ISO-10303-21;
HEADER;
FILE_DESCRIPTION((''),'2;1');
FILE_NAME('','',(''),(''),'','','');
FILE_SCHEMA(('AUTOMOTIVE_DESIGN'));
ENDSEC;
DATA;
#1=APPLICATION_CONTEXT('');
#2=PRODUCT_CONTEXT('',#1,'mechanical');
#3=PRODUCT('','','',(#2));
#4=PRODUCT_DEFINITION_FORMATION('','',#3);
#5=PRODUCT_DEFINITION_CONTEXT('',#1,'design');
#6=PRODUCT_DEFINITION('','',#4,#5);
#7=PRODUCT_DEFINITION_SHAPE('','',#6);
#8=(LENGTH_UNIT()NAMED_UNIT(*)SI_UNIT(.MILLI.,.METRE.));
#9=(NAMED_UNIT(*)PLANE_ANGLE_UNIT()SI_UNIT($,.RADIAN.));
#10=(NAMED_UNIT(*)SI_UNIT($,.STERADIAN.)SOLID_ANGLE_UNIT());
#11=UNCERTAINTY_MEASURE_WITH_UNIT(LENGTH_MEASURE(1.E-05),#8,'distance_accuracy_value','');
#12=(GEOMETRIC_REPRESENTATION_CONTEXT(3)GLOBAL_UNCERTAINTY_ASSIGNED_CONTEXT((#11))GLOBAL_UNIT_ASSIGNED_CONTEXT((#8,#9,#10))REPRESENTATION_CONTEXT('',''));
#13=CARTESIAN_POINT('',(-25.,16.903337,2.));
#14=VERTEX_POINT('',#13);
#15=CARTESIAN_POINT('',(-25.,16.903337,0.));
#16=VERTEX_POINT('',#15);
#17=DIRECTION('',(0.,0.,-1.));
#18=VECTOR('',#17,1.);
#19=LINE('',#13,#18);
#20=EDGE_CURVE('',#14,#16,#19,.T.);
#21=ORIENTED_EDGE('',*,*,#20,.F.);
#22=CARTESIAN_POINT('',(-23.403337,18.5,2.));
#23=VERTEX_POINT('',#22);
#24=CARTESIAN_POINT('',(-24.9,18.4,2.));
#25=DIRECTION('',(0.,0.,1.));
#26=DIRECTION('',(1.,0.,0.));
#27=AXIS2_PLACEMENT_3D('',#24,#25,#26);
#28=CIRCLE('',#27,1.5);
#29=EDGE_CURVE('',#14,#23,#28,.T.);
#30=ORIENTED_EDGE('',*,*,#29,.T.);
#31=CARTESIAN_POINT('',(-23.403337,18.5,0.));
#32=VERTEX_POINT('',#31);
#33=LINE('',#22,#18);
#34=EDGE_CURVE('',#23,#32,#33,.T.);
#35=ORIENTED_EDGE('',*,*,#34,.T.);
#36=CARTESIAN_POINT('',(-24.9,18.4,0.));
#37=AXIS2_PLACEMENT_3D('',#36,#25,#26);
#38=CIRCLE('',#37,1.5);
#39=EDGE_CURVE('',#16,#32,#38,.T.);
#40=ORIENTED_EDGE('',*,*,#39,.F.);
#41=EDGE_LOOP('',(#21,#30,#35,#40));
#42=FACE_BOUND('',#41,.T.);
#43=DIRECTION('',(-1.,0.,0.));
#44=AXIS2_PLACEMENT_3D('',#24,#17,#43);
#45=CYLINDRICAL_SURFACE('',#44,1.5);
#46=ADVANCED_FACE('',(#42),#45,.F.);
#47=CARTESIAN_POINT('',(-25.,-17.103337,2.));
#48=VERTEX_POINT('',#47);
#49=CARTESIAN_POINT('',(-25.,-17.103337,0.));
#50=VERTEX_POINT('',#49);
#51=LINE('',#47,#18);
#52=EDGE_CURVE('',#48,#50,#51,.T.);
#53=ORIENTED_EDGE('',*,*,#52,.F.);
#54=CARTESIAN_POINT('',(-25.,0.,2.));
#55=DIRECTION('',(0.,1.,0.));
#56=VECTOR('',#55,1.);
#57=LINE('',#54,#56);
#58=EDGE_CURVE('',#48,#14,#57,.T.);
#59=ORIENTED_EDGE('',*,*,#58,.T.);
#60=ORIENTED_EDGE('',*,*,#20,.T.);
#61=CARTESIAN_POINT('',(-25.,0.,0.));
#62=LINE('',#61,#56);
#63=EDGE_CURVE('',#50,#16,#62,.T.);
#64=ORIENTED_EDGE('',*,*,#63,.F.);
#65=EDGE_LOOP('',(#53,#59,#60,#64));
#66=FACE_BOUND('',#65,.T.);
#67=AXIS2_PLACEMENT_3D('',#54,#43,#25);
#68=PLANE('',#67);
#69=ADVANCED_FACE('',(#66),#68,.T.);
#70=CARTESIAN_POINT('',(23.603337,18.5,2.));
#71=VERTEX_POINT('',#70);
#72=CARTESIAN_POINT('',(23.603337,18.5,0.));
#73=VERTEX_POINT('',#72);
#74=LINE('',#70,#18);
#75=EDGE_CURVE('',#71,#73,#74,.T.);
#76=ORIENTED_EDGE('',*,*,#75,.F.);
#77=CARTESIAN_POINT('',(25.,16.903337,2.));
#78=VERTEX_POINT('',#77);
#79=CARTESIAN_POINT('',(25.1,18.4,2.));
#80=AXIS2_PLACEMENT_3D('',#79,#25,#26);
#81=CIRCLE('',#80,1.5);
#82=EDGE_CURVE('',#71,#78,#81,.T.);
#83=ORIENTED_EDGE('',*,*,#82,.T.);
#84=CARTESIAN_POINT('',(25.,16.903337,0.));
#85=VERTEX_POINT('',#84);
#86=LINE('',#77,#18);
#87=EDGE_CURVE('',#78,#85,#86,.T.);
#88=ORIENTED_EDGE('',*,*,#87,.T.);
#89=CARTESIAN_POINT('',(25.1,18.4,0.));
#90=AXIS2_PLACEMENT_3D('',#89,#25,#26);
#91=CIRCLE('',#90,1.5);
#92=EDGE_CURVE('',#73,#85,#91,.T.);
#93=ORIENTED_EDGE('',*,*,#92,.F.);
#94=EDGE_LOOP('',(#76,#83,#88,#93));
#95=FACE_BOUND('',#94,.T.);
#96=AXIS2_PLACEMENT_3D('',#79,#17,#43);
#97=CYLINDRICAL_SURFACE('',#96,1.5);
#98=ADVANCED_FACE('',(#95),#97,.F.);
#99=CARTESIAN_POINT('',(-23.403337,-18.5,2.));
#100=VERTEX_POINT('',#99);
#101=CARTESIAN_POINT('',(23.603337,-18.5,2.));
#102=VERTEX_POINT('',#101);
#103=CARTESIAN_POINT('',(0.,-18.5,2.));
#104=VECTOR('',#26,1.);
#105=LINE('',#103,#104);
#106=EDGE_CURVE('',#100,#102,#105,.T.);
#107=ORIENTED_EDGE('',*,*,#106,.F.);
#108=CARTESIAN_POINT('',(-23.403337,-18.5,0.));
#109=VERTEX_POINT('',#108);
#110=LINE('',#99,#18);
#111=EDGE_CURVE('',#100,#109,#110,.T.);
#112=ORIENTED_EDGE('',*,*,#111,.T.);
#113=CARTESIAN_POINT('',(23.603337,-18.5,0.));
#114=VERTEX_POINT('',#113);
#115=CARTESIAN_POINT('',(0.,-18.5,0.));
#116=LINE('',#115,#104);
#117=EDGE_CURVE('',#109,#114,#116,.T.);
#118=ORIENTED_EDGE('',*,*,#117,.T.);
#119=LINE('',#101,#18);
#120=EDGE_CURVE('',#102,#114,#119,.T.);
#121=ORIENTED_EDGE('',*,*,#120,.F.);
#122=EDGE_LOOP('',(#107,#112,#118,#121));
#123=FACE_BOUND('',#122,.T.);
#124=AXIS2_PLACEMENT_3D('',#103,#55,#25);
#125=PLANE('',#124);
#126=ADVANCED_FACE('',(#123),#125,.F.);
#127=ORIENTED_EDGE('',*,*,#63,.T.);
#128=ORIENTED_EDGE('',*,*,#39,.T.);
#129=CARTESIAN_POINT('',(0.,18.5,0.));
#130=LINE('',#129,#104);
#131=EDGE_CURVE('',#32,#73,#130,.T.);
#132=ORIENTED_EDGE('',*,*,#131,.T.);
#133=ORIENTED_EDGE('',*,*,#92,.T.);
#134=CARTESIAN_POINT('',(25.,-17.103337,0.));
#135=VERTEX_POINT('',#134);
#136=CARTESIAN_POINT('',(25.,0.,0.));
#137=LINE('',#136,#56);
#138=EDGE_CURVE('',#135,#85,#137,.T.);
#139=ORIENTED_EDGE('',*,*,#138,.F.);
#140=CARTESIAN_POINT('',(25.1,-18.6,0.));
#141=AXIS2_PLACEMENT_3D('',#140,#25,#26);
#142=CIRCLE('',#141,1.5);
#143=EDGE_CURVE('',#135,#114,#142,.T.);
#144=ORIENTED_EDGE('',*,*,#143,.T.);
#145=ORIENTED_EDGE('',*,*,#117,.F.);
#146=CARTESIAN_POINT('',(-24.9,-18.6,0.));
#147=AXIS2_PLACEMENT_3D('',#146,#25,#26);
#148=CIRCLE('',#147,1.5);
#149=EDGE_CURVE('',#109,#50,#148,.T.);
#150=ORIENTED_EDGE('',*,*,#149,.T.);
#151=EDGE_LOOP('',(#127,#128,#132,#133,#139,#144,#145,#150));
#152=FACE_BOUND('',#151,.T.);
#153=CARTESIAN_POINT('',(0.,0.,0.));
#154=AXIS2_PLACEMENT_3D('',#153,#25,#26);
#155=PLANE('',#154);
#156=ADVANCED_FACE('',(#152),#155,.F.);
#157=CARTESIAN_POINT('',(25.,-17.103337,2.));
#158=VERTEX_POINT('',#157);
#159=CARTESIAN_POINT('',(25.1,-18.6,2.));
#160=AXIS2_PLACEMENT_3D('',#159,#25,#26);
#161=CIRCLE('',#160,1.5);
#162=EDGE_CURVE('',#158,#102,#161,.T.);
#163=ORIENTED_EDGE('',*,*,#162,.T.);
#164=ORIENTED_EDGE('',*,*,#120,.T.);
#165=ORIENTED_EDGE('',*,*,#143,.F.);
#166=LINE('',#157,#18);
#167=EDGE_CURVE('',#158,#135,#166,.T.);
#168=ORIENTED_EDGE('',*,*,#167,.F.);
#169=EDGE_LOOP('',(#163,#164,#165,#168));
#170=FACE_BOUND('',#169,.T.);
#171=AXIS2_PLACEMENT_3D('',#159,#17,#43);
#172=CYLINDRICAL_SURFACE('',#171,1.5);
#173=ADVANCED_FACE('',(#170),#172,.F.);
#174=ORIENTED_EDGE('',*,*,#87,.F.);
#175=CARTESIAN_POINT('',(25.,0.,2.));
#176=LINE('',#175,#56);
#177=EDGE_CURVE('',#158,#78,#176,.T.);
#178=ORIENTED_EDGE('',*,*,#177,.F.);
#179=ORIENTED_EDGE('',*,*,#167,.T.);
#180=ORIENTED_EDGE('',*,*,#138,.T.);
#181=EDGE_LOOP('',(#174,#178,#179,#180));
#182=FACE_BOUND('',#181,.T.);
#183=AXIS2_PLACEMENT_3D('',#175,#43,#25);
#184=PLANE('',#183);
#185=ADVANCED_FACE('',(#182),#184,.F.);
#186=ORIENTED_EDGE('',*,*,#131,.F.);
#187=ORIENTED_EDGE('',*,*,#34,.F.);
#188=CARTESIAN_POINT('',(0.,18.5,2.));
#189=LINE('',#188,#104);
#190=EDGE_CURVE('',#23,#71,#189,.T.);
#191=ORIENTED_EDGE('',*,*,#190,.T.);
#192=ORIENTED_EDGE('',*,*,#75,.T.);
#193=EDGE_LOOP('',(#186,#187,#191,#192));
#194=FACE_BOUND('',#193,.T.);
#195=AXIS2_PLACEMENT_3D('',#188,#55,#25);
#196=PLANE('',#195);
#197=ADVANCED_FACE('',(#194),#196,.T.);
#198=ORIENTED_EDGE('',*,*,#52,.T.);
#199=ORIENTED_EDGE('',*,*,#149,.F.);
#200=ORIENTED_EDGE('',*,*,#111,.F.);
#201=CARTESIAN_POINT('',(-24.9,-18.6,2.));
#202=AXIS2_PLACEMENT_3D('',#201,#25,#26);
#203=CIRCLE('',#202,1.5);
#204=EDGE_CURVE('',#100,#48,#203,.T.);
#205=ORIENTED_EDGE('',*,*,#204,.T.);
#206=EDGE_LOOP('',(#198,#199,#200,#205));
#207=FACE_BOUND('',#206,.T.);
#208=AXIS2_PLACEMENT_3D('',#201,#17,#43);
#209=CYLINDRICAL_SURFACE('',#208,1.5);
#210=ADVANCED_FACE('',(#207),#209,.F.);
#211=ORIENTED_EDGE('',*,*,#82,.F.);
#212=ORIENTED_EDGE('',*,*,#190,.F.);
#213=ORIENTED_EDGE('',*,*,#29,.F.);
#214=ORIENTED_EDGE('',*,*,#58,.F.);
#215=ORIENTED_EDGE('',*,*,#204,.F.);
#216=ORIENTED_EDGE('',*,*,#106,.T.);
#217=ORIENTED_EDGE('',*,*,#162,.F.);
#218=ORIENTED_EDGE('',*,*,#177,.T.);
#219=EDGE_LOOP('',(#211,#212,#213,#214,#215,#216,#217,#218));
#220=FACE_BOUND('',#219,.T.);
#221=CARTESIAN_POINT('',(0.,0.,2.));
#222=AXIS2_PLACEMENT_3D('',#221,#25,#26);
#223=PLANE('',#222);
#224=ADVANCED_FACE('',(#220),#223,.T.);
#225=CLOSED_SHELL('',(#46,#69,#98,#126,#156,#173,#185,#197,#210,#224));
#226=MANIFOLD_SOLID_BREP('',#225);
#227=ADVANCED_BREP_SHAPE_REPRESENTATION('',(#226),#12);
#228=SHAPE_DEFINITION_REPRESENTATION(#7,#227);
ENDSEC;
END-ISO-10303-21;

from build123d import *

# Parameters (mm, degrees)
BOSS_EXTRUDE1_DEPTH = 2


with BuildPart() as part:
    # Sketch1 → Boss-Extrude1 (new body)
    with BuildSketch(Plane.XY):
        with BuildLine():
            Line((23.603337045, 18.5), (-23.403337045, 18.5))
            ThreePointArc((-23.403337045, 18.5), (-23.400834493, 18.450027832), (-23.4, 18.4))
            ThreePointArc((-23.4, 18.4), (-23.875304923, 17.304554885), (-25, 16.903337045))
            Line((-25, 16.903337045), (-25, -17.103337045))
            ThreePointArc((-25, -17.103337045), (-23.912410154, -17.470988797), (-23.403337045, -18.5))
            Line((-23.403337045, -18.5), (23.603337045, -18.5))
            ThreePointArc((23.603337045, -18.5), (24.039339828, -17.539339828), (25, -17.103337045))
            Line((25, -17.103337045), (25, 16.903337045))
            ThreePointArc((25, 16.903337045), (23.970988797, 17.412410154), (23.603337045, 18.5))
        make_face()
    extrude(amount=BOSS_EXTRUDE1_DEPTH)


solid = part.part
